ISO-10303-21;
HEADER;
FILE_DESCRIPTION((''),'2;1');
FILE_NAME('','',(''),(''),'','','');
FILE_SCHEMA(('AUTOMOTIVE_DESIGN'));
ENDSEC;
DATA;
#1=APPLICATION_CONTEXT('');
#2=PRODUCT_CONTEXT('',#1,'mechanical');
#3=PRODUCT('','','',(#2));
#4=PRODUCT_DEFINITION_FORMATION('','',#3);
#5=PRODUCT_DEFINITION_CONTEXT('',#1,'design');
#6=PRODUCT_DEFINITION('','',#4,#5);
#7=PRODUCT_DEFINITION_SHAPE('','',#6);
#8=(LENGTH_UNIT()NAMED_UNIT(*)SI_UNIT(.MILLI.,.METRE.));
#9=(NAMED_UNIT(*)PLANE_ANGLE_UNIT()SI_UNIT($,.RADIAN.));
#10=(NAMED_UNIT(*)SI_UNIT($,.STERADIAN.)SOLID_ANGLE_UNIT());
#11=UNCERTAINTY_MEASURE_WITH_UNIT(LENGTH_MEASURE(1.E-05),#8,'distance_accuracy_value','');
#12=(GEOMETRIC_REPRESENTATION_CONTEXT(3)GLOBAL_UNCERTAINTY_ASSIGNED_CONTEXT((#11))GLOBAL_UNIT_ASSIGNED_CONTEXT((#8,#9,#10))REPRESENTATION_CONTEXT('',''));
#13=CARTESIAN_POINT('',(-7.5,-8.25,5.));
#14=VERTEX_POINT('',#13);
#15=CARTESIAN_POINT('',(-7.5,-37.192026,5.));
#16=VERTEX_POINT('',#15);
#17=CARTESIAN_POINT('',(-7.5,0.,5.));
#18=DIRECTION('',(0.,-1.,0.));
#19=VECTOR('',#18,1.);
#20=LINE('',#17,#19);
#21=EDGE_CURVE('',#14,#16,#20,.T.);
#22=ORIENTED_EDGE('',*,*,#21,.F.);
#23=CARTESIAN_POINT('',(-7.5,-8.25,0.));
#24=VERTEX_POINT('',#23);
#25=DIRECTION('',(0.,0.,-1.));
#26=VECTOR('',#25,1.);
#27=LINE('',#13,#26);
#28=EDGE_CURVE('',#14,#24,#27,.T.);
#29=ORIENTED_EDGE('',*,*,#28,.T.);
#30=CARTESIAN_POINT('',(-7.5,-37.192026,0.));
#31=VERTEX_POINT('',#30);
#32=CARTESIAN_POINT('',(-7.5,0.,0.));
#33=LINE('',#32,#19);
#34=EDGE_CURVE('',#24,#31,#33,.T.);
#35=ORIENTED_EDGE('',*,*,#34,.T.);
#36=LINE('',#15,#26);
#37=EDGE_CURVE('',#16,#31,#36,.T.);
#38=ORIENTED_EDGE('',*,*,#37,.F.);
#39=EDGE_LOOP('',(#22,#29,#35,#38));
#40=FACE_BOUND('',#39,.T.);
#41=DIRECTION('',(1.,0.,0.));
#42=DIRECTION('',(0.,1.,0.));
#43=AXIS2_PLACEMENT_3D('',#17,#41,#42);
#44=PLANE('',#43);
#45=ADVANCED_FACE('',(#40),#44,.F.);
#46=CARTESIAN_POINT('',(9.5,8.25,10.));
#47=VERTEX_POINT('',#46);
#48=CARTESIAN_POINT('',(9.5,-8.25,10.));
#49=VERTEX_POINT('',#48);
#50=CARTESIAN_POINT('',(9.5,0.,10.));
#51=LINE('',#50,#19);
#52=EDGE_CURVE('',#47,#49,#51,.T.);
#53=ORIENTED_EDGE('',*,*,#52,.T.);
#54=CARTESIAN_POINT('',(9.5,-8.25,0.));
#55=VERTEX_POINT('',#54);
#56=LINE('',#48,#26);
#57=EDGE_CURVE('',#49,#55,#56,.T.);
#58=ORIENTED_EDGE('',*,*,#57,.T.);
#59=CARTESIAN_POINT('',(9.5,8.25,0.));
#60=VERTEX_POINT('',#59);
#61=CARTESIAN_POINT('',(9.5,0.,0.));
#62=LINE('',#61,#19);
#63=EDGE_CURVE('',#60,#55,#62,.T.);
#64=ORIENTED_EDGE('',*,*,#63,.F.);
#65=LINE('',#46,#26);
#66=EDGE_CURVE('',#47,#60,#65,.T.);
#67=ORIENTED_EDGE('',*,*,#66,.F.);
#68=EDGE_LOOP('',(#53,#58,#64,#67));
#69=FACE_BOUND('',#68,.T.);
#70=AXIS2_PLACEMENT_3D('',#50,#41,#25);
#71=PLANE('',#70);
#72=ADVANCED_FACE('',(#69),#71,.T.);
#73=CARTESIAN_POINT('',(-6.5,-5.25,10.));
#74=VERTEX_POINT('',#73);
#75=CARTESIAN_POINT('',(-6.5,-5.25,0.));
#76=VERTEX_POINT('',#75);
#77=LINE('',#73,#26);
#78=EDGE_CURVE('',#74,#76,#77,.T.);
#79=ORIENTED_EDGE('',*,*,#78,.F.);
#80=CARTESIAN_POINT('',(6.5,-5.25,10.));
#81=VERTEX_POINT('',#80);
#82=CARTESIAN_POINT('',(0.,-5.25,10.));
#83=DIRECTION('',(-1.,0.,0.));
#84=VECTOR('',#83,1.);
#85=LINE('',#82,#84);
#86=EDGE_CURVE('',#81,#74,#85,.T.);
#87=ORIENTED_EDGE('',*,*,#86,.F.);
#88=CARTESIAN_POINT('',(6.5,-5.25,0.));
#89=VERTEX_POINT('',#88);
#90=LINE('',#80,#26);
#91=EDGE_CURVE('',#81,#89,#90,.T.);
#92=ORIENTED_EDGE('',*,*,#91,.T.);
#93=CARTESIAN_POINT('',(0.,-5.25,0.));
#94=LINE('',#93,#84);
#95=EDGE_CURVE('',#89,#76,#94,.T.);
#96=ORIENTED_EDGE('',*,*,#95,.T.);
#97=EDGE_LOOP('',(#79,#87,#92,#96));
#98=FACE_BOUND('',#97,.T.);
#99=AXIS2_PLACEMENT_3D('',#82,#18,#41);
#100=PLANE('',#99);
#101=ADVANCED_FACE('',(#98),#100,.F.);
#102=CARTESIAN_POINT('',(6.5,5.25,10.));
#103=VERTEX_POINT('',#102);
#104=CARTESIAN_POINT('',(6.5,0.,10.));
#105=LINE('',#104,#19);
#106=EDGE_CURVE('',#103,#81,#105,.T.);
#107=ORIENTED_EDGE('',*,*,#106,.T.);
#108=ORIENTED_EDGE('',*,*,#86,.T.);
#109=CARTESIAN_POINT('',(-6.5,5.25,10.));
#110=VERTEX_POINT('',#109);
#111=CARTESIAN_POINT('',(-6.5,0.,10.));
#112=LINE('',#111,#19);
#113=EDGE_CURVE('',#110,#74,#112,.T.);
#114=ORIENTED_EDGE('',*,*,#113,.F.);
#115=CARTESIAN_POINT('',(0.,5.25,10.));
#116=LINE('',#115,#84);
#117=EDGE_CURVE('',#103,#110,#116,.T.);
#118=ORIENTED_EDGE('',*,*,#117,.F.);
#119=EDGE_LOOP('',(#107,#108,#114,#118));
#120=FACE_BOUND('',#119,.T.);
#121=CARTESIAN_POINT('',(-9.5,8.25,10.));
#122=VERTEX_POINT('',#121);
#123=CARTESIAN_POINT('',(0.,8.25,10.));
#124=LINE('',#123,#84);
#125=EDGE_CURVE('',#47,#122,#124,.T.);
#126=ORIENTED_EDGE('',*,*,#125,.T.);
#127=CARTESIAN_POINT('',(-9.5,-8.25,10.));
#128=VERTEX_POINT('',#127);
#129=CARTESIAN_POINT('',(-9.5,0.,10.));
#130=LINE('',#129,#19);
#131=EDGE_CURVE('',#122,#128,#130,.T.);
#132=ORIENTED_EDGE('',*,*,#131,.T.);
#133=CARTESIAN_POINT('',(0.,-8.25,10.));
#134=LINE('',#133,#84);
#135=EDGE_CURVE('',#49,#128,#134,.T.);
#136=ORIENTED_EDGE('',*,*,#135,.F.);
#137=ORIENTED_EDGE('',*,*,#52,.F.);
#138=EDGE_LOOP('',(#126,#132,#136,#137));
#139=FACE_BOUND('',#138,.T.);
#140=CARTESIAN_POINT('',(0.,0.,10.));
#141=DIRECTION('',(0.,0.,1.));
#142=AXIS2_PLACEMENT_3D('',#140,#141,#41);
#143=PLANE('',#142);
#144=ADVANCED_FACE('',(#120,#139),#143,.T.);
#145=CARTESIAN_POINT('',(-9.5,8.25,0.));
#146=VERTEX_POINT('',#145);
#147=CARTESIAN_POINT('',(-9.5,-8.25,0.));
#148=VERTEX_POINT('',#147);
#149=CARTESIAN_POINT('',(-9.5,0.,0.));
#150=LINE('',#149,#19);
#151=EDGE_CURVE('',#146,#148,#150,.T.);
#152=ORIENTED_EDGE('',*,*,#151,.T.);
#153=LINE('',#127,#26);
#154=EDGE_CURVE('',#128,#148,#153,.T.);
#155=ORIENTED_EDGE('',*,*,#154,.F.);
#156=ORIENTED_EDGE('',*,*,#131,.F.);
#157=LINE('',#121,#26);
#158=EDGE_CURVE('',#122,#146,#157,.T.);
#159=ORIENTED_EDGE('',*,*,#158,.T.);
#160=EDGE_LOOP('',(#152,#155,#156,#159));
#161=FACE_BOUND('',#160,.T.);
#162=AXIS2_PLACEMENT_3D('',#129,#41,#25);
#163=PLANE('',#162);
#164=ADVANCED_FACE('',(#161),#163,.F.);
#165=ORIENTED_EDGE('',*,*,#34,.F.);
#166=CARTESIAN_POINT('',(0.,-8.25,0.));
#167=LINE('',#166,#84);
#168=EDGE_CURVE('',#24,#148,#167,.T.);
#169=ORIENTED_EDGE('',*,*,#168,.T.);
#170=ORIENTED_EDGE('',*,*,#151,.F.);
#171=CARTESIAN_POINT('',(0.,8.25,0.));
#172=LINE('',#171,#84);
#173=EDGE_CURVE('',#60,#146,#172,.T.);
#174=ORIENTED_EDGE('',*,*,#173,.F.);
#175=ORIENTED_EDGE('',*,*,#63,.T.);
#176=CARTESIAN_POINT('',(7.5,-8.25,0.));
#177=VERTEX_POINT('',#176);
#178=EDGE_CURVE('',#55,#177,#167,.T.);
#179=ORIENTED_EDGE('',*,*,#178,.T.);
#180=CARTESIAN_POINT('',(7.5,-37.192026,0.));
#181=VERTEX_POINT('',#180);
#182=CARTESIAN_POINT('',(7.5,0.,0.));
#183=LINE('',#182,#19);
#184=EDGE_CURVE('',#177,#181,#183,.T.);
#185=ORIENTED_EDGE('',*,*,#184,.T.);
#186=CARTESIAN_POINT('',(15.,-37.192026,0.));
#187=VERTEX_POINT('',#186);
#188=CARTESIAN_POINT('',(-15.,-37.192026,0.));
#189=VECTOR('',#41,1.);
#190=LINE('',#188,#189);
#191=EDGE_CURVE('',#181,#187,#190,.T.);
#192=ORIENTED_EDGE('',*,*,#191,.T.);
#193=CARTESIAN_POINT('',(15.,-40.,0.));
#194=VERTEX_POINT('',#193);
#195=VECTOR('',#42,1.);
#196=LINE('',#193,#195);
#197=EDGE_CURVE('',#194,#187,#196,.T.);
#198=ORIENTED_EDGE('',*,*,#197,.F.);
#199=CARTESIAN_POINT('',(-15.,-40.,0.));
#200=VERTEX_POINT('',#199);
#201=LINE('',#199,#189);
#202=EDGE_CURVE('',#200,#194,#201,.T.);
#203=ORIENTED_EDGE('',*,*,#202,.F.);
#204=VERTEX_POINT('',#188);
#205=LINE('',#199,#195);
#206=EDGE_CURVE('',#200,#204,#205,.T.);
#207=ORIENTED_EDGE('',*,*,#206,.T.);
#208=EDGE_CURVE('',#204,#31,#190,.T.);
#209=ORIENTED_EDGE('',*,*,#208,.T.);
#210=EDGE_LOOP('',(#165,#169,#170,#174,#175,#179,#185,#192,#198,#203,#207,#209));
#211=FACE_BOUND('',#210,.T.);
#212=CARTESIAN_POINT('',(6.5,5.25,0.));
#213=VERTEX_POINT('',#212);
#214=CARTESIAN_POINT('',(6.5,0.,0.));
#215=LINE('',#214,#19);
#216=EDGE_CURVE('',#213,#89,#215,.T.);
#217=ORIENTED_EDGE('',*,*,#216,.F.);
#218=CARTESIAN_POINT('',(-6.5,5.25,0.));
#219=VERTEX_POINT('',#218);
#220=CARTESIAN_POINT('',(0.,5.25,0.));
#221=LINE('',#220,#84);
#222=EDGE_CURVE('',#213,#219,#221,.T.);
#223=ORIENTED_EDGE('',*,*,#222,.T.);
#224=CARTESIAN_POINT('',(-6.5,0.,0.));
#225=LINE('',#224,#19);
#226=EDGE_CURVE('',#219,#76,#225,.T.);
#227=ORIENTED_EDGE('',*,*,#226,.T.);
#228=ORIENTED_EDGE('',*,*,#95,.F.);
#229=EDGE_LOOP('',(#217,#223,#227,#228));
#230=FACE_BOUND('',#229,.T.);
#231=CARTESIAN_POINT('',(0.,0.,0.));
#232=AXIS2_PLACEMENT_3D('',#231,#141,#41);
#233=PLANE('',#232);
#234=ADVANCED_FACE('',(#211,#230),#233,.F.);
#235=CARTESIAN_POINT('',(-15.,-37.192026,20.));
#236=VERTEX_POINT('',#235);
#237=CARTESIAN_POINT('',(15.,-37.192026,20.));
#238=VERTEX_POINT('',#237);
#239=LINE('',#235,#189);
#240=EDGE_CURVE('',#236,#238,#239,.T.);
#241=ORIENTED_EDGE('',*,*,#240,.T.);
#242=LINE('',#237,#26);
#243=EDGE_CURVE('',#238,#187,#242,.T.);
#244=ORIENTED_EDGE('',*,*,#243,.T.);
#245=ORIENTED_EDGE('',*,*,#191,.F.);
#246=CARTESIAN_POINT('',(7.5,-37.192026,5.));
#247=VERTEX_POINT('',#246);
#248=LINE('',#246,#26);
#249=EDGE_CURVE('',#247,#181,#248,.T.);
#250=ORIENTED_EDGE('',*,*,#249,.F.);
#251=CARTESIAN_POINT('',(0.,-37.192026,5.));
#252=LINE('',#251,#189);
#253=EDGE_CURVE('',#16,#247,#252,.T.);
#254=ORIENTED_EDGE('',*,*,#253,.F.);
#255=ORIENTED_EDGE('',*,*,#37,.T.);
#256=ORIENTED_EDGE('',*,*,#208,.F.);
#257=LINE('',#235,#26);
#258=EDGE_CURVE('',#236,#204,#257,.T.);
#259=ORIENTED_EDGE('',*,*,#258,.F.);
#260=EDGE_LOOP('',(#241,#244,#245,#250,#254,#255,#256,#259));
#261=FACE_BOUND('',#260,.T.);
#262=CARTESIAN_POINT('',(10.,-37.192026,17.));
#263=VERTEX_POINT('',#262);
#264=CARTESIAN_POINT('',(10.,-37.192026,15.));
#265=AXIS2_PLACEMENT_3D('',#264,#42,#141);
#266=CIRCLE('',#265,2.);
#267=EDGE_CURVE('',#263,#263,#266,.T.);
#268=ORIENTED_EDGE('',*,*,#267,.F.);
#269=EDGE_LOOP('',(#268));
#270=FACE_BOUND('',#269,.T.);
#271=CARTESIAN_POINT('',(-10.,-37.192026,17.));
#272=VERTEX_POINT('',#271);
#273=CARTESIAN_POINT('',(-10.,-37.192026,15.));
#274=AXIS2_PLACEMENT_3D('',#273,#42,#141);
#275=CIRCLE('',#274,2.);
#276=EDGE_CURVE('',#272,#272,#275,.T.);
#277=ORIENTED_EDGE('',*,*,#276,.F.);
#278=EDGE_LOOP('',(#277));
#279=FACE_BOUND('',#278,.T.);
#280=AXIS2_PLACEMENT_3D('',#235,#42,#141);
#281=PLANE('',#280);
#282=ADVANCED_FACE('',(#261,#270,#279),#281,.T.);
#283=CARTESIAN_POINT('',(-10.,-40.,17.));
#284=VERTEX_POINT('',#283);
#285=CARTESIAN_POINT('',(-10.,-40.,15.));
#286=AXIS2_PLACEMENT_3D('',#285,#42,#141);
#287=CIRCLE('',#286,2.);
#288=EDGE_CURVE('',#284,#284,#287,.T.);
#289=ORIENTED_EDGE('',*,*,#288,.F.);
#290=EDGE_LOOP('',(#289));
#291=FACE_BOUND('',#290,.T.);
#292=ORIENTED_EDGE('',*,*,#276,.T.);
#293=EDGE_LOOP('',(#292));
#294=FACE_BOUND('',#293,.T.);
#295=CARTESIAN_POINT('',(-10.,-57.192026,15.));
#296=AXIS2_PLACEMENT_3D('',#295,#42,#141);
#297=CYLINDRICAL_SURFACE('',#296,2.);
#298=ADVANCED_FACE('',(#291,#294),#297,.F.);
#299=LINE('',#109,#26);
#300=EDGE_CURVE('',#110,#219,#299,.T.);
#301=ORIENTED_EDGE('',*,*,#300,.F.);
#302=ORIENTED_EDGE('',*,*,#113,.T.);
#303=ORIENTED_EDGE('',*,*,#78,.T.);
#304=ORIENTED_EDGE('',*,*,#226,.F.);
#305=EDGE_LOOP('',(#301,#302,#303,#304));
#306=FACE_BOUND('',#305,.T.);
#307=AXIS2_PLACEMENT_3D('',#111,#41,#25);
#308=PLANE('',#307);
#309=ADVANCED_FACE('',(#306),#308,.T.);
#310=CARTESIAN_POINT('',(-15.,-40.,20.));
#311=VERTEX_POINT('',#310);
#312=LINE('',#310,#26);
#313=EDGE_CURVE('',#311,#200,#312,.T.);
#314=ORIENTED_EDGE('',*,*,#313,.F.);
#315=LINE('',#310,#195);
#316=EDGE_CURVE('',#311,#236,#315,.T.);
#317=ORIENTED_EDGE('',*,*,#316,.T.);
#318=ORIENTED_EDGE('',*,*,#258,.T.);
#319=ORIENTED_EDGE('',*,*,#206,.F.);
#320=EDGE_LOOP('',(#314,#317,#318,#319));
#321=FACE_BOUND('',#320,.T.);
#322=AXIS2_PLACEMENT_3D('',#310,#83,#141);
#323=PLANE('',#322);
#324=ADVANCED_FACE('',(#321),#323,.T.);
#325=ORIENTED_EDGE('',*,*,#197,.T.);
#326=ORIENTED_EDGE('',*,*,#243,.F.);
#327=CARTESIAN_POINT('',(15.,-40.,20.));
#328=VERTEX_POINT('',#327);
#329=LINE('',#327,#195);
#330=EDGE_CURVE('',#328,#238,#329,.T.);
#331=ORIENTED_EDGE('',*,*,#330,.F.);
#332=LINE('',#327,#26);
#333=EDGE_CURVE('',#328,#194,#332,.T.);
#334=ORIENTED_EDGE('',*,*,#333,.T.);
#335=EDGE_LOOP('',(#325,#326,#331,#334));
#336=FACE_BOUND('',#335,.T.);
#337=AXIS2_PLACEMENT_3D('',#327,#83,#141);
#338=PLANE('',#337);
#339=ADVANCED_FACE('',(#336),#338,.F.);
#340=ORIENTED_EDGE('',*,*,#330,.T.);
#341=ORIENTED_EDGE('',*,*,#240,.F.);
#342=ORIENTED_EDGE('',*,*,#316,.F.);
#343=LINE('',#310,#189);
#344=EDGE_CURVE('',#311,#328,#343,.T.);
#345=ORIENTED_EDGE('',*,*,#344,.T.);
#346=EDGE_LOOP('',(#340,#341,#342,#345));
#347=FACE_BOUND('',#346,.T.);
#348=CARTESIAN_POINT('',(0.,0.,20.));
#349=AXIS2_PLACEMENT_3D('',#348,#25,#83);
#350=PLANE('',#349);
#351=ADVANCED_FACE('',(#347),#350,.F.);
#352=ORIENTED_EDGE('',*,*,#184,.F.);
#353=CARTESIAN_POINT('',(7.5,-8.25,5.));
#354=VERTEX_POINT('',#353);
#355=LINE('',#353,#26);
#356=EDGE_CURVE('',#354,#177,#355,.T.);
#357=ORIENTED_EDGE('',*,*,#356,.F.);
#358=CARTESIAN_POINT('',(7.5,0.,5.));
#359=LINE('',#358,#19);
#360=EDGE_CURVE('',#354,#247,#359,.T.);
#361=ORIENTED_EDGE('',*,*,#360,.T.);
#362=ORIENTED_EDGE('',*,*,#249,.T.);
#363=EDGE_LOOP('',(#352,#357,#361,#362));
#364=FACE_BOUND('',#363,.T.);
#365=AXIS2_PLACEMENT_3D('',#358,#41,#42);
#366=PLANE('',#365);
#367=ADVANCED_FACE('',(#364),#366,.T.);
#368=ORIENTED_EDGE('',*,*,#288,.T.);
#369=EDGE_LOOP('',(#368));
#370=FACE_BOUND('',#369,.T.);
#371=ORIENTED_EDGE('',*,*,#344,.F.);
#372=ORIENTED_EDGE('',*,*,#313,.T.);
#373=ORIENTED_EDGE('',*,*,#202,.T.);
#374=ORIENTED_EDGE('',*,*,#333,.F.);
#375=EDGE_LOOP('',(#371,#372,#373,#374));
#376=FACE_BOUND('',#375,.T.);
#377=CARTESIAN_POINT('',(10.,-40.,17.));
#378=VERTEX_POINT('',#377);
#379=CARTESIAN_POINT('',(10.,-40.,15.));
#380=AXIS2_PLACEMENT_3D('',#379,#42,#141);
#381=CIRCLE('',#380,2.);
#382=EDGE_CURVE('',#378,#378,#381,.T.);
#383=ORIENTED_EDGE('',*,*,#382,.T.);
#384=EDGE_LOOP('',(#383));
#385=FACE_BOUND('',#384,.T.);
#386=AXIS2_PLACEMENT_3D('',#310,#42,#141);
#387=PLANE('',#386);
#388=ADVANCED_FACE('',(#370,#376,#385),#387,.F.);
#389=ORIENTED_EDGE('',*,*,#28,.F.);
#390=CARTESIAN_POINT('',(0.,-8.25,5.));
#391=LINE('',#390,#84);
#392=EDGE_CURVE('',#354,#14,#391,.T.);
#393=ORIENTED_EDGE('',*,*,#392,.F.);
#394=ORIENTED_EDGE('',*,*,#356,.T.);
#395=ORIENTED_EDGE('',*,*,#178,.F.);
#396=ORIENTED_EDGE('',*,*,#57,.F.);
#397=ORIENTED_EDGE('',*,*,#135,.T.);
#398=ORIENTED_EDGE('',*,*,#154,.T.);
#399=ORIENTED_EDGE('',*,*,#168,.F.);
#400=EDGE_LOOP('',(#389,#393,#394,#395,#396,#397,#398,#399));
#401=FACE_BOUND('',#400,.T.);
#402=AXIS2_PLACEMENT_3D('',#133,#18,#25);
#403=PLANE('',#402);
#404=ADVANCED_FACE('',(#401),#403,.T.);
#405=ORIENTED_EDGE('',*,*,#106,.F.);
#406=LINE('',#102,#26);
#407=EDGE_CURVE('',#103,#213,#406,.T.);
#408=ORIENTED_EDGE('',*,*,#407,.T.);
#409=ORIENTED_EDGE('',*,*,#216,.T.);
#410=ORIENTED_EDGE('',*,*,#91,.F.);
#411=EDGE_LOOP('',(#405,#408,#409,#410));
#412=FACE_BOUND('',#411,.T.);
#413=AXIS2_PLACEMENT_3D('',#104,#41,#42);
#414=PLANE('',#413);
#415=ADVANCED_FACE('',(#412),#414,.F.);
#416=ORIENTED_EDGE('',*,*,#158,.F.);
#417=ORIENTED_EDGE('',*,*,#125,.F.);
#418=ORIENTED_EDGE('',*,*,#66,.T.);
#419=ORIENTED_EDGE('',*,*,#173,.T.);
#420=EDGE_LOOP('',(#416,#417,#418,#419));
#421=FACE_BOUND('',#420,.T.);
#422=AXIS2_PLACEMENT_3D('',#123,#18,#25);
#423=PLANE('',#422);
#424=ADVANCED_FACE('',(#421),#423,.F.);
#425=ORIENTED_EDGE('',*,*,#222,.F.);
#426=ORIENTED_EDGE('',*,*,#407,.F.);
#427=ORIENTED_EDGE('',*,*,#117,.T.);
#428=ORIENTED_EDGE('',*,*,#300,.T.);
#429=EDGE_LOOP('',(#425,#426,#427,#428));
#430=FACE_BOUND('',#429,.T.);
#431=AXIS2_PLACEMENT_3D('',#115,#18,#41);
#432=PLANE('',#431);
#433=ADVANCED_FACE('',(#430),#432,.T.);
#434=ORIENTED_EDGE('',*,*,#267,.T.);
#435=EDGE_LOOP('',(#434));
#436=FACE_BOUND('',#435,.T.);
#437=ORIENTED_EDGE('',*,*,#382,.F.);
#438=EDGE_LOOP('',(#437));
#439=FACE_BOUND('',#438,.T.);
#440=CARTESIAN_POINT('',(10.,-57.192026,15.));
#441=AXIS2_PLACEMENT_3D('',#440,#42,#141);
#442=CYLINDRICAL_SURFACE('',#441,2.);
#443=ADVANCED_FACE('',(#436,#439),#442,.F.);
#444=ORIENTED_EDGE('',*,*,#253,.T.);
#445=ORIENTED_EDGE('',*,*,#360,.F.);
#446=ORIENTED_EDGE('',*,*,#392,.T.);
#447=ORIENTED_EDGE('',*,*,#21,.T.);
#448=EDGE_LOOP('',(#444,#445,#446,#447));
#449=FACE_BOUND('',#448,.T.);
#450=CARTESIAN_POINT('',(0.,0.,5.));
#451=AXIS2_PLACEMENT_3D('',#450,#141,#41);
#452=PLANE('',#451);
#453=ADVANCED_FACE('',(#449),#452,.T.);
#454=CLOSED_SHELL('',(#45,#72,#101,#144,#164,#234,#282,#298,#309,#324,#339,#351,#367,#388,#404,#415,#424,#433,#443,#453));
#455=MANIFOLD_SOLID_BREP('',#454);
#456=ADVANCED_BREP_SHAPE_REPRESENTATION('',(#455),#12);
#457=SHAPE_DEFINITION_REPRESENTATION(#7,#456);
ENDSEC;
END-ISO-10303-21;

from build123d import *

# Parameters (mm, degrees)
SKETCH1_W           = 19
SKETCH1_H           = 16.5
SKETCH1_W_2         = 13
SKETCH1_H_2         = 10.5
BOSS_EXTRUDE1_DEPTH = 10
SKETCH1_3_W         = 15
SKETCH1_3_H         = 28.942025954
BOSS_EXTRUDE2_DEPTH = 5
SKETCH1_4_W         = 30
SKETCH1_4_H         = 2.807974046
BOSS_EXTRUDE3_DEPTH = 20
SKETCH2_R           = 2
CUT_EXTRUDE1_DEPTH  = 20


with BuildPart() as part:
    # Sketch1 → Boss-Extrude1 (new body)
    with BuildSketch(Plane.XY):
        Rectangle(SKETCH1_W, SKETCH1_H)
        Rectangle(SKETCH1_W_2, SKETCH1_H_2, mode=Mode.SUBTRACT)
    extrude(amount=BOSS_EXTRUDE1_DEPTH)

    # Sketch1<3> → Boss-Extrude2 (add)
    with BuildSketch(Plane.XY):
        with Locations((0, -22.721012977)):
            Rectangle(SKETCH1_3_W, SKETCH1_3_H)
    extrude(amount=BOSS_EXTRUDE2_DEPTH)

    # Sketch1<4> → Boss-Extrude3 (add)
    with BuildSketch(Plane.XY):
        with Locations((0, -38.596012977)):
            Rectangle(SKETCH1_4_W, SKETCH1_4_H)
    extrude(amount=BOSS_EXTRUDE3_DEPTH)

    # Sketch2 → Cut-Extrude1 (cut)
    with BuildSketch(Plane(origin=(0, -37.192025954, 0), x_dir=(1, 0, 0), z_dir=(0, 1, 0))):
        with Locations((-10, -15)):
            Circle(SKETCH2_R)
        with Locations((10, -15)):
            Circle(SKETCH2_R)
    extrude(amount=-CUT_EXTRUDE1_DEPTH, mode=Mode.SUBTRACT)


solid = part.part
